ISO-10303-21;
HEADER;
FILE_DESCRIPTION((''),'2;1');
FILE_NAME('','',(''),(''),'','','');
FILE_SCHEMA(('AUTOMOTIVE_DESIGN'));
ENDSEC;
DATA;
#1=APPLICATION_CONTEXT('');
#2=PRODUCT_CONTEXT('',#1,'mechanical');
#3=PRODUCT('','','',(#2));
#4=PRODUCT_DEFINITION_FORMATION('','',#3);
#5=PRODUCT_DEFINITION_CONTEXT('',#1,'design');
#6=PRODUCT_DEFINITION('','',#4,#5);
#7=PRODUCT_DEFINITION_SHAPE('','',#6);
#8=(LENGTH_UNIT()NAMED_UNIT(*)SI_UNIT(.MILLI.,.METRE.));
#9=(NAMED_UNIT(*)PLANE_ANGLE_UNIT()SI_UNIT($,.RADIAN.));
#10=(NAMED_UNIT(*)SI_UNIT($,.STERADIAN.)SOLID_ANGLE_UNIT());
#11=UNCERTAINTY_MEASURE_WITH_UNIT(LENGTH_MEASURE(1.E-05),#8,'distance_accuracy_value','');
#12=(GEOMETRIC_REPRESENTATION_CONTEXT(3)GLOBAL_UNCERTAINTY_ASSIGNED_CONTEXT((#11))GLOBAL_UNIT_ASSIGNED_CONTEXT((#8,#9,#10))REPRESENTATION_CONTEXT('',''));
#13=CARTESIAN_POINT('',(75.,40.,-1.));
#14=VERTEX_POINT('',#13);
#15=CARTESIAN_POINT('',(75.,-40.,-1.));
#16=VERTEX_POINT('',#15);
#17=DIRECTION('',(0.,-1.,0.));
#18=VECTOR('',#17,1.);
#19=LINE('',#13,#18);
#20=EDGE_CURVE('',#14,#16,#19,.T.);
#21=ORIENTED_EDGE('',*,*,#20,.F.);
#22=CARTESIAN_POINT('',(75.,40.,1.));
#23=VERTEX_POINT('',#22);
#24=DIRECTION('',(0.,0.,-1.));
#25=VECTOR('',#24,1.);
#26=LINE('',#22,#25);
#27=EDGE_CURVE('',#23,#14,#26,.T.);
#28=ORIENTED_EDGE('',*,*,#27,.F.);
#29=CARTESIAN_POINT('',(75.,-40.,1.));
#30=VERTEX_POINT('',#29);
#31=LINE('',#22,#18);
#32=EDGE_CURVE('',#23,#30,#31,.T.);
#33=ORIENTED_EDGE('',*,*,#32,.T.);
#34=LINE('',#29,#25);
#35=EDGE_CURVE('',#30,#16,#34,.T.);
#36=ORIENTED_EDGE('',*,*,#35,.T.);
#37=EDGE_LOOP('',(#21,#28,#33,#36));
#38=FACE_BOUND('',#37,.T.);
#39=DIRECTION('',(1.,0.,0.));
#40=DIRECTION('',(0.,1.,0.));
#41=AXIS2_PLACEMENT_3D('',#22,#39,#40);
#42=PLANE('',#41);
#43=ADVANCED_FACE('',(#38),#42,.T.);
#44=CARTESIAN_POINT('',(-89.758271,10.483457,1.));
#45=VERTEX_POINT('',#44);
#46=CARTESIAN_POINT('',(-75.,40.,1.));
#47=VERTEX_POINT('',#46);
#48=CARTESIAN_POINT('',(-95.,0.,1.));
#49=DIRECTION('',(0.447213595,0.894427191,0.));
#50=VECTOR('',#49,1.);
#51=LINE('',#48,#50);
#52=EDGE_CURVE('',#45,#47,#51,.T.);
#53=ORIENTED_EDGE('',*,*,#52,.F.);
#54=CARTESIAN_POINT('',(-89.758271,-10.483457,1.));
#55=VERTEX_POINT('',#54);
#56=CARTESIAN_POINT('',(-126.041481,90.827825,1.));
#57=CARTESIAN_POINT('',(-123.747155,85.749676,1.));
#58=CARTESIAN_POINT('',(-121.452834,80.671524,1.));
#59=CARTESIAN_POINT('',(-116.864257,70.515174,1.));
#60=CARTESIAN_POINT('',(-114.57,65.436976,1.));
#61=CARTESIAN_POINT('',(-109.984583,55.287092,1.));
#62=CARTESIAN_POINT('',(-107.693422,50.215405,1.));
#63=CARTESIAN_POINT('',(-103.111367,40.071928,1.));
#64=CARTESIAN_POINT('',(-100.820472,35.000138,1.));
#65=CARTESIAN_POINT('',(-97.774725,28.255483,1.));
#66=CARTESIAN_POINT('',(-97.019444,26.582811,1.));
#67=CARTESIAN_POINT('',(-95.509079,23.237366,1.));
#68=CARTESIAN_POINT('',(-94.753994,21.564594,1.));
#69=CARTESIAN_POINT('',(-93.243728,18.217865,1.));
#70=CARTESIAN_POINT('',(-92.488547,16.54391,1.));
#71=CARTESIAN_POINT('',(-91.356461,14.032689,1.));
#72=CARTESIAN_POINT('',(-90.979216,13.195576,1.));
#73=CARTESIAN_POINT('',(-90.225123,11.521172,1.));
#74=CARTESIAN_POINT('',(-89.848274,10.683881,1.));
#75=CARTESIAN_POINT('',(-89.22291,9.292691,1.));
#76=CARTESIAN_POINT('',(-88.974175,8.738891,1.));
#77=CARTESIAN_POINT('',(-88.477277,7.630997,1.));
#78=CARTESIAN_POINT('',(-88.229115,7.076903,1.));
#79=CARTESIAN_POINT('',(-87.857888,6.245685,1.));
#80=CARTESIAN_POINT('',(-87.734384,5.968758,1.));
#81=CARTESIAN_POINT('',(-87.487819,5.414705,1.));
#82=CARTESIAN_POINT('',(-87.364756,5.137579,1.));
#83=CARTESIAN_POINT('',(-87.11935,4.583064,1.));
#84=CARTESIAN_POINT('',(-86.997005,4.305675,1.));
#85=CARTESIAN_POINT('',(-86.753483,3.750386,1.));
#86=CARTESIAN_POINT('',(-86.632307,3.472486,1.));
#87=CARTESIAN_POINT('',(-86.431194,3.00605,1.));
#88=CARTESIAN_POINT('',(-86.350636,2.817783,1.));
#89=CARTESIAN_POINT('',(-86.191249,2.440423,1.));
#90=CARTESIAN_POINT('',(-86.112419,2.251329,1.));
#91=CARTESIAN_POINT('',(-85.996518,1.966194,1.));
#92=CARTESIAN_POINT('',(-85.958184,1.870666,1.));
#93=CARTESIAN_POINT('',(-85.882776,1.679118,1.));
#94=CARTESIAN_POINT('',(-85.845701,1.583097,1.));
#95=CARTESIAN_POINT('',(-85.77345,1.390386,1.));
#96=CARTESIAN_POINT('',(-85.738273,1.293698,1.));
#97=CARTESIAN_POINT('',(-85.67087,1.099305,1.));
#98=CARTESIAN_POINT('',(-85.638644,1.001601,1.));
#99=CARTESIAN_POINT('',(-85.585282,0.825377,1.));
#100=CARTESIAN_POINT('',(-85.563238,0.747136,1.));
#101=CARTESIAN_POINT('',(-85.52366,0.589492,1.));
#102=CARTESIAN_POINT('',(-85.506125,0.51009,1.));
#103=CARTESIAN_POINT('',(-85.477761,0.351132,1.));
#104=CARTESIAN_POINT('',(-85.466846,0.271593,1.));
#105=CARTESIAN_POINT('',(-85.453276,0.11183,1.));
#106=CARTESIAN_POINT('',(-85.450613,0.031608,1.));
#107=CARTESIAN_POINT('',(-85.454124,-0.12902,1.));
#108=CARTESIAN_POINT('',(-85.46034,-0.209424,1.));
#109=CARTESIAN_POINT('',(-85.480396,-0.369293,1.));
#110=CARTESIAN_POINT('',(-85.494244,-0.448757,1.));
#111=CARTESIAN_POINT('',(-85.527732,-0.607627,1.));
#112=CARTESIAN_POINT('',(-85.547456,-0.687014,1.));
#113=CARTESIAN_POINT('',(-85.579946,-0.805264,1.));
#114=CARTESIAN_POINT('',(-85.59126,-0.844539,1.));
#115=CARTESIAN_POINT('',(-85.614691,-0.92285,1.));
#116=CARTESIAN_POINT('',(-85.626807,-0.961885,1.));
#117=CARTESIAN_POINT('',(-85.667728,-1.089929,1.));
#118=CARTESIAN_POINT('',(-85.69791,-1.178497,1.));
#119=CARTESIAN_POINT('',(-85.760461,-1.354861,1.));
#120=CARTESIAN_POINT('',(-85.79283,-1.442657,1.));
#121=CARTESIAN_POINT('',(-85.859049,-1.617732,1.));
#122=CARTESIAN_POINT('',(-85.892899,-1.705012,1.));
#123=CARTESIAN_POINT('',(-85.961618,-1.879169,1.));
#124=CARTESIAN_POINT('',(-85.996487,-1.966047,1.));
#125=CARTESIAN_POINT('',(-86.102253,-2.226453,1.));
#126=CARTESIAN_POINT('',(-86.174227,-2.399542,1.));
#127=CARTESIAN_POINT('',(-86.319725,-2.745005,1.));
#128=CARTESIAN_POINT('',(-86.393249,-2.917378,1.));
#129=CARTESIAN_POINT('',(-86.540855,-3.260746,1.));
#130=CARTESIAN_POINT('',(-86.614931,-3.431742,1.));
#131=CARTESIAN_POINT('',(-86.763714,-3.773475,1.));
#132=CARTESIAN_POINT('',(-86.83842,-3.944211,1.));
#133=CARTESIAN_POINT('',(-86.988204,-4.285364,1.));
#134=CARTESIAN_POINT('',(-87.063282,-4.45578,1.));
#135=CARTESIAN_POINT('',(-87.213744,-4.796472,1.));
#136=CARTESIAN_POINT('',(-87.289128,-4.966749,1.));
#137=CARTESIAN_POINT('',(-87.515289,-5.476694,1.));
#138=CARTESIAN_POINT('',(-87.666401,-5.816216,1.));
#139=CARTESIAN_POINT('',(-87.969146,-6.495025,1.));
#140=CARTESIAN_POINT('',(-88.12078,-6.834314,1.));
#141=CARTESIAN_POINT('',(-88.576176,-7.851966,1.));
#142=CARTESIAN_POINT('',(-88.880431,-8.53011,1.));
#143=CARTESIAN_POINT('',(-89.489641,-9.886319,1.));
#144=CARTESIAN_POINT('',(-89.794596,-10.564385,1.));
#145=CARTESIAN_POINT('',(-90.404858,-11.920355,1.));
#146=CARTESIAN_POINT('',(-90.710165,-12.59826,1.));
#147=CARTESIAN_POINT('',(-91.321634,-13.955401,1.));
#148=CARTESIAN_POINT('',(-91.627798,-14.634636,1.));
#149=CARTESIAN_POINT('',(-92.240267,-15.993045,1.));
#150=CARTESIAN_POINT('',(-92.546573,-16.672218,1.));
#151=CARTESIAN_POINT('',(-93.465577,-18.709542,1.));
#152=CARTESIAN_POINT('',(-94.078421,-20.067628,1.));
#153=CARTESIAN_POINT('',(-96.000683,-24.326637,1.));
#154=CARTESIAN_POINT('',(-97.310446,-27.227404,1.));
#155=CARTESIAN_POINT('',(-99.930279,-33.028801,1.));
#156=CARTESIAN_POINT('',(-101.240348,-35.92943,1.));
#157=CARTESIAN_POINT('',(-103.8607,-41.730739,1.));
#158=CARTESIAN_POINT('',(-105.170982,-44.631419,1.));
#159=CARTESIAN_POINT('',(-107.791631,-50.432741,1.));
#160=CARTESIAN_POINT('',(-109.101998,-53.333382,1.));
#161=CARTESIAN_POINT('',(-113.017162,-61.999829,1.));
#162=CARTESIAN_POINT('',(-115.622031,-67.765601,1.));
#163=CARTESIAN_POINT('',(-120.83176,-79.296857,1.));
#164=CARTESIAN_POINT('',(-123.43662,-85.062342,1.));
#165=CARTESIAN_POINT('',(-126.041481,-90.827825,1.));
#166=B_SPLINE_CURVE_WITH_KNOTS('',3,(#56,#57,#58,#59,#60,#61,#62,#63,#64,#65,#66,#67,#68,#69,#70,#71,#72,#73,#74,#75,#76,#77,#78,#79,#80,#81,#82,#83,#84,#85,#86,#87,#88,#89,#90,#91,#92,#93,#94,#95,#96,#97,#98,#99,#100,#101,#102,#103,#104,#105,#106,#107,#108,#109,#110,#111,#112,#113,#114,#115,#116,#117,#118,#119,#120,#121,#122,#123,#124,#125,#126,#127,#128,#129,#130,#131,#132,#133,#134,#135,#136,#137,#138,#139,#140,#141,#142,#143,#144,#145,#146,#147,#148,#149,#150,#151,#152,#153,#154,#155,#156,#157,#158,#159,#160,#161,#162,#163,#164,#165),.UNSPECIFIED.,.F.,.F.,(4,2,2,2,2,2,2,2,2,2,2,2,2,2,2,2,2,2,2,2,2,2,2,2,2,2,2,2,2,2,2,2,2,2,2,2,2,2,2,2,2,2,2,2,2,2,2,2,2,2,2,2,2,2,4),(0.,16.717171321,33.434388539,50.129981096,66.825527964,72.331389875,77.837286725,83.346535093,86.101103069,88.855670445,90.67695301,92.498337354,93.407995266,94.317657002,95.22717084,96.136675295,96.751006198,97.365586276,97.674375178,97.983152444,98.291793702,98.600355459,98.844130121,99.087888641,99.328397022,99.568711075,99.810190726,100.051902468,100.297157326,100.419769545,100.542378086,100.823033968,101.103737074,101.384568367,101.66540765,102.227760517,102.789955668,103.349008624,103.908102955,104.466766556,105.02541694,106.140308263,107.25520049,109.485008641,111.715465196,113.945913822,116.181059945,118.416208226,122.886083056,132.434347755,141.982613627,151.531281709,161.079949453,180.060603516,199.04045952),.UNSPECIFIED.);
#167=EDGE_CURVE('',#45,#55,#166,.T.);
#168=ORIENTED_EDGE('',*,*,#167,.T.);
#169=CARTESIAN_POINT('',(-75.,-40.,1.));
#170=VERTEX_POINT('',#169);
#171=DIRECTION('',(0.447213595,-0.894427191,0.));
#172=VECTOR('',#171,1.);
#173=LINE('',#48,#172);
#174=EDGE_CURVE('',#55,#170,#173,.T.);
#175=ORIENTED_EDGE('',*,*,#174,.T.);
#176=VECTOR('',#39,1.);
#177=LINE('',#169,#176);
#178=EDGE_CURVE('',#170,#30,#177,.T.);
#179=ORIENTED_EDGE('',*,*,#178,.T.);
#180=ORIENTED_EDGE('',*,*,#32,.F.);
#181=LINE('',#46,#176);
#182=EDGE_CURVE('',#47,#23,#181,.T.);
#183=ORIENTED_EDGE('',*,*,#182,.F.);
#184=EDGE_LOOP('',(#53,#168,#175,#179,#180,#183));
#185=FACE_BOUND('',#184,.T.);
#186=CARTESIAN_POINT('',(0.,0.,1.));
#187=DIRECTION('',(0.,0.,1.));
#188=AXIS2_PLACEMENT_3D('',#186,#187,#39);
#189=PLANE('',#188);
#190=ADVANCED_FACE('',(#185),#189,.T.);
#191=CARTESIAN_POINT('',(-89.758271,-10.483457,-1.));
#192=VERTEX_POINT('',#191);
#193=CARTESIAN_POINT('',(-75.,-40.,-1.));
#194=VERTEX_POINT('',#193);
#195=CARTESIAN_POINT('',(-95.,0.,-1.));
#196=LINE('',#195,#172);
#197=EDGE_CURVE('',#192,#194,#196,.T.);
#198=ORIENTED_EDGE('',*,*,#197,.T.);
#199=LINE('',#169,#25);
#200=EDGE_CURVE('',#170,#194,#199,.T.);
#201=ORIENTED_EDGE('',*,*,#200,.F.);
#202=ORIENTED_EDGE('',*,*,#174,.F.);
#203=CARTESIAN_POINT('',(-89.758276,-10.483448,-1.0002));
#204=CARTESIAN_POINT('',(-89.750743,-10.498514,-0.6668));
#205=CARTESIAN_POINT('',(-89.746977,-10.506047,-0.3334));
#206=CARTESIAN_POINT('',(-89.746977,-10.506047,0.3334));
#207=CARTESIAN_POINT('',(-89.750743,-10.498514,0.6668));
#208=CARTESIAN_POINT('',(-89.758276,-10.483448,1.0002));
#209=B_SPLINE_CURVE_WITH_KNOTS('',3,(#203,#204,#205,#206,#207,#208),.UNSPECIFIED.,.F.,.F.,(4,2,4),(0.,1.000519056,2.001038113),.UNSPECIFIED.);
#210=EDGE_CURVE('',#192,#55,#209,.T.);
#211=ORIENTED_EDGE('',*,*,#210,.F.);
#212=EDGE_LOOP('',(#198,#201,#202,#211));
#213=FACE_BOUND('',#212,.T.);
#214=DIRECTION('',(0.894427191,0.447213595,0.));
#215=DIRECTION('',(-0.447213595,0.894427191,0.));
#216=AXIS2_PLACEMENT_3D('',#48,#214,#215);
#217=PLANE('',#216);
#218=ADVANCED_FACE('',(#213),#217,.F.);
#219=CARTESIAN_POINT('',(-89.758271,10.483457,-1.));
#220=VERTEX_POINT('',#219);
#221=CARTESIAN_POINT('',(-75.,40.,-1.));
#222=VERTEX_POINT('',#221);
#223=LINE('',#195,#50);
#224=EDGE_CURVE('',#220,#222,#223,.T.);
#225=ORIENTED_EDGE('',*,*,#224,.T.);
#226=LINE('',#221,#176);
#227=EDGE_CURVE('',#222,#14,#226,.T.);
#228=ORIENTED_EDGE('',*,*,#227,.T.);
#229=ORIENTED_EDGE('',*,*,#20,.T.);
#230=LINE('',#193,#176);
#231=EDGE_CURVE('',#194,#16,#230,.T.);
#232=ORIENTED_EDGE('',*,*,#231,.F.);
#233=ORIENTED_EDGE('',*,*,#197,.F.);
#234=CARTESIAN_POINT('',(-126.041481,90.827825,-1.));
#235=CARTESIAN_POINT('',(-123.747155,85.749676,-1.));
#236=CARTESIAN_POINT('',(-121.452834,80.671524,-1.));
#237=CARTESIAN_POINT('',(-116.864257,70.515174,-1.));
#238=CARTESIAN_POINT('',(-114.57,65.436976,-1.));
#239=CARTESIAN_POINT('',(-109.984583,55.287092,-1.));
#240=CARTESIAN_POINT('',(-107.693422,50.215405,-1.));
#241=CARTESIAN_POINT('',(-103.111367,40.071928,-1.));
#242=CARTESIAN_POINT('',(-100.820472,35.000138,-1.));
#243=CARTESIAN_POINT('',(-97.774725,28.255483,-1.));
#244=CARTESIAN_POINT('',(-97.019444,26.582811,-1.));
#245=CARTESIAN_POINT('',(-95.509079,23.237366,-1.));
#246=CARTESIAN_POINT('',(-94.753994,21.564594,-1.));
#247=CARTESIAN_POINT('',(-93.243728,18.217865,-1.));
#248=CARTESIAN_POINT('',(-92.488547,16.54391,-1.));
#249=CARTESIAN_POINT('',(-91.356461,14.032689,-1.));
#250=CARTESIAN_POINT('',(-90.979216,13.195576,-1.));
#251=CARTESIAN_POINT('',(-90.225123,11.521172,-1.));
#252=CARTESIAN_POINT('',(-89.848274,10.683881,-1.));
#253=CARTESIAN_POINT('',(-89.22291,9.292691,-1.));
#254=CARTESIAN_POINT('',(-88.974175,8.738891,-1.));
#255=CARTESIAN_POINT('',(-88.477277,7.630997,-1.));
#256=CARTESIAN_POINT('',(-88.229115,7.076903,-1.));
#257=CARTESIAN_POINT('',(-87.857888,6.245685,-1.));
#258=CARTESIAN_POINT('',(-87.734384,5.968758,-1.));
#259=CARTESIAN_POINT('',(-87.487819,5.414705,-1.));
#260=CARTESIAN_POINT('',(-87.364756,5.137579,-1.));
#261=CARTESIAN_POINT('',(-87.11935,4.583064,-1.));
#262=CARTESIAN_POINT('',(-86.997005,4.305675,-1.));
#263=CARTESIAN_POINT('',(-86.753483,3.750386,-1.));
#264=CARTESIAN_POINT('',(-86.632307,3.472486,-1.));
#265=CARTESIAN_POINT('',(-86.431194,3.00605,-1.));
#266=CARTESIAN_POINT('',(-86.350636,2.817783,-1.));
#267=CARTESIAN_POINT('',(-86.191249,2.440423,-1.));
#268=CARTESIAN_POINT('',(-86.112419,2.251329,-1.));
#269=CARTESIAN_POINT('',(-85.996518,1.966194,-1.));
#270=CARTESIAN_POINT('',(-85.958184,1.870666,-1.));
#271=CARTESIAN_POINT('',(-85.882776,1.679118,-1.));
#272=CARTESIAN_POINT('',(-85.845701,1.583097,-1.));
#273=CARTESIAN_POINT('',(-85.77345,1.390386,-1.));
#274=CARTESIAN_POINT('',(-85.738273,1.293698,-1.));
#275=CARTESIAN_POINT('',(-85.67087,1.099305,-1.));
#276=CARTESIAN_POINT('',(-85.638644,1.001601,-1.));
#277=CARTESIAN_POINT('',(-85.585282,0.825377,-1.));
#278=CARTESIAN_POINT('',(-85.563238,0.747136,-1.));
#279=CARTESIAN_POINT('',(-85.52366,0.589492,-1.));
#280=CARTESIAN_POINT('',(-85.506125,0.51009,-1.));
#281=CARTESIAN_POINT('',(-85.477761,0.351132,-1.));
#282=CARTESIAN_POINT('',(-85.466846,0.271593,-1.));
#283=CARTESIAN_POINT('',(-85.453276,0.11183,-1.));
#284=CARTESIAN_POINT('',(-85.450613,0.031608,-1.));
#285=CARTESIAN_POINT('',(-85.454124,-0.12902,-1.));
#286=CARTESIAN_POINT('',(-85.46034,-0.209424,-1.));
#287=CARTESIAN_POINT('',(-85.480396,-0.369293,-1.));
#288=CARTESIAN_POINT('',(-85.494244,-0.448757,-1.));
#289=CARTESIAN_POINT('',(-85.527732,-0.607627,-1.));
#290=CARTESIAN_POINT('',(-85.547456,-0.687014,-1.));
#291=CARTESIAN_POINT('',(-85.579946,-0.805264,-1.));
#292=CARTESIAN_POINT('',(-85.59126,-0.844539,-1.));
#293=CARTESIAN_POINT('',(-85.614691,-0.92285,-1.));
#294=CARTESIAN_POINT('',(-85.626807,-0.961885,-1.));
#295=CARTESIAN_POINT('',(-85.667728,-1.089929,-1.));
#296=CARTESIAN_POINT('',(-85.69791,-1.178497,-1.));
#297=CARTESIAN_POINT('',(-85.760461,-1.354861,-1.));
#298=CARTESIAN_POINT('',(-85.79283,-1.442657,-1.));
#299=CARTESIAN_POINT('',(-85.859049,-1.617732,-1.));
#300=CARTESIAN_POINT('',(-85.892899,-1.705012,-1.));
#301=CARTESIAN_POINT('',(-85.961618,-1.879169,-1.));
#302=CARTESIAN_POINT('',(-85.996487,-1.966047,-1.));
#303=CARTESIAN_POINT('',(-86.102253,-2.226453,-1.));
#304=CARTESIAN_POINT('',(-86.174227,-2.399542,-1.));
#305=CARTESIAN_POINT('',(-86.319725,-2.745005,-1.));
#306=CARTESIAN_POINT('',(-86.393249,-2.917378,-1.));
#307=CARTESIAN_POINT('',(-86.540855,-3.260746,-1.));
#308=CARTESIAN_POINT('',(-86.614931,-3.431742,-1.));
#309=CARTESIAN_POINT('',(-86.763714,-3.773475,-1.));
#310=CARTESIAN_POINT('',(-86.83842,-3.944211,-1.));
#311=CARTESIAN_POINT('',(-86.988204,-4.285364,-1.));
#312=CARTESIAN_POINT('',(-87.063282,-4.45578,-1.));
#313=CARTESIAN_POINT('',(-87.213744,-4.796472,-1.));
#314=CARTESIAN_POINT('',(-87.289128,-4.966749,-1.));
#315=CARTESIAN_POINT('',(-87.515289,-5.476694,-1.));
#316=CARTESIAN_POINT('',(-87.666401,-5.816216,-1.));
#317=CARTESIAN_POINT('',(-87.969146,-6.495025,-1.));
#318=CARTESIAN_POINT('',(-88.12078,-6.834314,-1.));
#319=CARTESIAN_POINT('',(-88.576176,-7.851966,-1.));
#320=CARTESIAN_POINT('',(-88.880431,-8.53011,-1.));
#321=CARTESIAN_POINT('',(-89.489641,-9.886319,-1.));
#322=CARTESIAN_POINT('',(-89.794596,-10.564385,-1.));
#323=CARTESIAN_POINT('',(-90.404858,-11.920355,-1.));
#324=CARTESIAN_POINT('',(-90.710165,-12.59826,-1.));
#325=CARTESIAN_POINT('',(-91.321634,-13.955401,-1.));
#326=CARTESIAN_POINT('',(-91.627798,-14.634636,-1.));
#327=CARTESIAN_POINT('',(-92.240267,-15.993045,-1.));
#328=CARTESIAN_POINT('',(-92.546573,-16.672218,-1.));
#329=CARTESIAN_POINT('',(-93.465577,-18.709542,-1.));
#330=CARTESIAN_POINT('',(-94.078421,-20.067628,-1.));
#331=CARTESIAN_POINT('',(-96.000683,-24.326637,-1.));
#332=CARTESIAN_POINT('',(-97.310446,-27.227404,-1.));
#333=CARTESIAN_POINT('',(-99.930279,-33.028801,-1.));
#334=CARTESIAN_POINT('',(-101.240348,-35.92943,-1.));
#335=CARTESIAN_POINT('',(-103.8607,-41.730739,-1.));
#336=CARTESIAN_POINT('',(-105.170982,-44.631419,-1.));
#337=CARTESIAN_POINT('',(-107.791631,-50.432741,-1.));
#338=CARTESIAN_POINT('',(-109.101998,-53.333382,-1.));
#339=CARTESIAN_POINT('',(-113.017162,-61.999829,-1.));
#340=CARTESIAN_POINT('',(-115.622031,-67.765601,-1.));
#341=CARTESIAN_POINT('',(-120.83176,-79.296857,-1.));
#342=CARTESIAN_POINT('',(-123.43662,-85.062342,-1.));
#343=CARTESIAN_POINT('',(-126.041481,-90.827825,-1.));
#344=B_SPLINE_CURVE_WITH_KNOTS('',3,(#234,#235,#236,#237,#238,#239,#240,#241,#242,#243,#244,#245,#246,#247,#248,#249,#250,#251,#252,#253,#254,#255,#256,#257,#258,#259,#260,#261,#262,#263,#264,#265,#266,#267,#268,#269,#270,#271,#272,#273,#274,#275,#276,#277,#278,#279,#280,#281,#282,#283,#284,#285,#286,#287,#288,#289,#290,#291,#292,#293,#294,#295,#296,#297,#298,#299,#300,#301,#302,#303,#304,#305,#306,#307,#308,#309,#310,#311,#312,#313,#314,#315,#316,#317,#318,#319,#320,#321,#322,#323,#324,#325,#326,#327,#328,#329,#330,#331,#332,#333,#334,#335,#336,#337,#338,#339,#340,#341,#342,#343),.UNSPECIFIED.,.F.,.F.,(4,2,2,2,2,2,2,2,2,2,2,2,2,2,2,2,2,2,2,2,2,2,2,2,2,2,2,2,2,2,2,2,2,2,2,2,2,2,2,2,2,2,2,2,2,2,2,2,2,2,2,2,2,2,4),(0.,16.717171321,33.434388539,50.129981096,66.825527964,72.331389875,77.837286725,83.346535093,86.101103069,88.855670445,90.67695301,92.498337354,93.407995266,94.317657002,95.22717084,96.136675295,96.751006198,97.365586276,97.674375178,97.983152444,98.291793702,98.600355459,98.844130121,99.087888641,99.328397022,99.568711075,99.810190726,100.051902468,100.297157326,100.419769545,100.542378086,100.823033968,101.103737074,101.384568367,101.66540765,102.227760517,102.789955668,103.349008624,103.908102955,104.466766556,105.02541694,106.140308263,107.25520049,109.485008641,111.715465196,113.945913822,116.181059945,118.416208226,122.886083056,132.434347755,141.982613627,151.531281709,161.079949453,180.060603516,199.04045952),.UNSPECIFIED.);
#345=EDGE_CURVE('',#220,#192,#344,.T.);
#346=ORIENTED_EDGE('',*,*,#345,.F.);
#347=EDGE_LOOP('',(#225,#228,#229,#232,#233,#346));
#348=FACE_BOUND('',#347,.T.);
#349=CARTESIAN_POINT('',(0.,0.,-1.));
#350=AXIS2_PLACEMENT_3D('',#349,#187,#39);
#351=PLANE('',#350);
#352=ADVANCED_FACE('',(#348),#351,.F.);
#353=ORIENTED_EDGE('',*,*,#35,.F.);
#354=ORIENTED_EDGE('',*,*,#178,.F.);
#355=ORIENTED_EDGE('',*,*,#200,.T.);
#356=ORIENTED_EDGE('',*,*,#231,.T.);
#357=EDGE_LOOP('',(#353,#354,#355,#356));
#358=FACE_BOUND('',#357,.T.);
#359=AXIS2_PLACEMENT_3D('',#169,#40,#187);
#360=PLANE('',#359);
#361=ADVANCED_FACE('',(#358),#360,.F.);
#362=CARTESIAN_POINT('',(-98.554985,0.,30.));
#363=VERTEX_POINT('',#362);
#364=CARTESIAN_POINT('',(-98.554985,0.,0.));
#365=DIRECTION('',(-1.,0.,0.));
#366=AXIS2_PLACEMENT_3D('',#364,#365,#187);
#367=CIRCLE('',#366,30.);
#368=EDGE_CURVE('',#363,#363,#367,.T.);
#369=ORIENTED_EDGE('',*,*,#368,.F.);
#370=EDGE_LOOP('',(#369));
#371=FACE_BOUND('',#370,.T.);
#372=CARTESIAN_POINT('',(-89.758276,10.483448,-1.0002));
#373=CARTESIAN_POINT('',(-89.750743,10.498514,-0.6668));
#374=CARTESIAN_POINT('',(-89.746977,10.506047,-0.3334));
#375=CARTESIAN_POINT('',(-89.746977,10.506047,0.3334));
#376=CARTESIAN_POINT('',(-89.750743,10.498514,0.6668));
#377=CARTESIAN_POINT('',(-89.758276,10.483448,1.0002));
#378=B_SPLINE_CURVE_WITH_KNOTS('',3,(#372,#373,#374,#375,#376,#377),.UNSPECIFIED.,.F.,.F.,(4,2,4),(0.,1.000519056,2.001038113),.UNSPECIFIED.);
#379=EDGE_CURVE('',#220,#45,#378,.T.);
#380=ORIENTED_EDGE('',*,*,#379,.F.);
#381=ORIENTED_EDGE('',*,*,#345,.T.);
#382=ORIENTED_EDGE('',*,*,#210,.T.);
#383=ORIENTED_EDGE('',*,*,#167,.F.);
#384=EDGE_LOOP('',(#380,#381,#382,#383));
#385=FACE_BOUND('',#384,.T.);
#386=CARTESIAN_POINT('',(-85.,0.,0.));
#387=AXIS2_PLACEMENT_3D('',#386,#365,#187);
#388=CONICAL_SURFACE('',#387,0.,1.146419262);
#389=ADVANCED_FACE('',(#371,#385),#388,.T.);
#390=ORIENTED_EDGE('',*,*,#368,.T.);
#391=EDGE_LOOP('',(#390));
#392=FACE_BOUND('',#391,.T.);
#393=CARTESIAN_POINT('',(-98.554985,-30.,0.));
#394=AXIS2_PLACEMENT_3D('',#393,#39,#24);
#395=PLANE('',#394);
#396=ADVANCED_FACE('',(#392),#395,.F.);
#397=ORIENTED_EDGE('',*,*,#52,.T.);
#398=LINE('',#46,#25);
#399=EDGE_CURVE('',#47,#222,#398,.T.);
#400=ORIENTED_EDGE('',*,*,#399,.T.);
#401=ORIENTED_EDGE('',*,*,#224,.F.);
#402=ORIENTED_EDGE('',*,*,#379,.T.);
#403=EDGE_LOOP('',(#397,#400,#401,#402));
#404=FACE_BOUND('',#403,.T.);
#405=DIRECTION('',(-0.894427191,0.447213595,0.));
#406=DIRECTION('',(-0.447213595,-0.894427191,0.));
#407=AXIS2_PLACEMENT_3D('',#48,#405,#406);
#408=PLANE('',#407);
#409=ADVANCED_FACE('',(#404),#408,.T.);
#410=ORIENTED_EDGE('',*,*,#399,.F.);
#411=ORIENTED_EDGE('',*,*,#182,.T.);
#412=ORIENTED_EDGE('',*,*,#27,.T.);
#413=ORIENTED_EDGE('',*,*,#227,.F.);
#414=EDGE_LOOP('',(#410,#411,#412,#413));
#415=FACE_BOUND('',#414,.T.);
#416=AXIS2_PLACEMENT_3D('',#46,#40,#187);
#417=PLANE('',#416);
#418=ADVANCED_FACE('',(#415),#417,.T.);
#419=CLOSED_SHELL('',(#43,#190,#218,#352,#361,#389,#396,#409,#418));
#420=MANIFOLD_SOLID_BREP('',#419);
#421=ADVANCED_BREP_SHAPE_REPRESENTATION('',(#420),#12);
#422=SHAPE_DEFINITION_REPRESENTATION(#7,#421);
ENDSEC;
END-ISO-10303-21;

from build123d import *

# Parameters (mm, degrees)
EXTRUDE_2_DEPTH = 1


with BuildPart() as part:
    # 草图2 → 凸台-拉伸2 (new, symmetric)
    with BuildSketch(Plane.XY):
        Polygon((-75, 40), (75, 40), (75, -40), (-75, -40), (-95, 0), align=None)
    extrude(amount=EXTRUDE_2_DEPTH, both=True)

    # 草图2<5> → 旋转5 (revolve)
    with BuildSketch(Plane.XY):
        Polygon((-85, 0), (-98.554984954, 30), (-98.554984954, 0), align=None)
    revolve(axis=Axis((-1003.811687892, 0, 0), (1, 0, 0)))


solid = part.part
